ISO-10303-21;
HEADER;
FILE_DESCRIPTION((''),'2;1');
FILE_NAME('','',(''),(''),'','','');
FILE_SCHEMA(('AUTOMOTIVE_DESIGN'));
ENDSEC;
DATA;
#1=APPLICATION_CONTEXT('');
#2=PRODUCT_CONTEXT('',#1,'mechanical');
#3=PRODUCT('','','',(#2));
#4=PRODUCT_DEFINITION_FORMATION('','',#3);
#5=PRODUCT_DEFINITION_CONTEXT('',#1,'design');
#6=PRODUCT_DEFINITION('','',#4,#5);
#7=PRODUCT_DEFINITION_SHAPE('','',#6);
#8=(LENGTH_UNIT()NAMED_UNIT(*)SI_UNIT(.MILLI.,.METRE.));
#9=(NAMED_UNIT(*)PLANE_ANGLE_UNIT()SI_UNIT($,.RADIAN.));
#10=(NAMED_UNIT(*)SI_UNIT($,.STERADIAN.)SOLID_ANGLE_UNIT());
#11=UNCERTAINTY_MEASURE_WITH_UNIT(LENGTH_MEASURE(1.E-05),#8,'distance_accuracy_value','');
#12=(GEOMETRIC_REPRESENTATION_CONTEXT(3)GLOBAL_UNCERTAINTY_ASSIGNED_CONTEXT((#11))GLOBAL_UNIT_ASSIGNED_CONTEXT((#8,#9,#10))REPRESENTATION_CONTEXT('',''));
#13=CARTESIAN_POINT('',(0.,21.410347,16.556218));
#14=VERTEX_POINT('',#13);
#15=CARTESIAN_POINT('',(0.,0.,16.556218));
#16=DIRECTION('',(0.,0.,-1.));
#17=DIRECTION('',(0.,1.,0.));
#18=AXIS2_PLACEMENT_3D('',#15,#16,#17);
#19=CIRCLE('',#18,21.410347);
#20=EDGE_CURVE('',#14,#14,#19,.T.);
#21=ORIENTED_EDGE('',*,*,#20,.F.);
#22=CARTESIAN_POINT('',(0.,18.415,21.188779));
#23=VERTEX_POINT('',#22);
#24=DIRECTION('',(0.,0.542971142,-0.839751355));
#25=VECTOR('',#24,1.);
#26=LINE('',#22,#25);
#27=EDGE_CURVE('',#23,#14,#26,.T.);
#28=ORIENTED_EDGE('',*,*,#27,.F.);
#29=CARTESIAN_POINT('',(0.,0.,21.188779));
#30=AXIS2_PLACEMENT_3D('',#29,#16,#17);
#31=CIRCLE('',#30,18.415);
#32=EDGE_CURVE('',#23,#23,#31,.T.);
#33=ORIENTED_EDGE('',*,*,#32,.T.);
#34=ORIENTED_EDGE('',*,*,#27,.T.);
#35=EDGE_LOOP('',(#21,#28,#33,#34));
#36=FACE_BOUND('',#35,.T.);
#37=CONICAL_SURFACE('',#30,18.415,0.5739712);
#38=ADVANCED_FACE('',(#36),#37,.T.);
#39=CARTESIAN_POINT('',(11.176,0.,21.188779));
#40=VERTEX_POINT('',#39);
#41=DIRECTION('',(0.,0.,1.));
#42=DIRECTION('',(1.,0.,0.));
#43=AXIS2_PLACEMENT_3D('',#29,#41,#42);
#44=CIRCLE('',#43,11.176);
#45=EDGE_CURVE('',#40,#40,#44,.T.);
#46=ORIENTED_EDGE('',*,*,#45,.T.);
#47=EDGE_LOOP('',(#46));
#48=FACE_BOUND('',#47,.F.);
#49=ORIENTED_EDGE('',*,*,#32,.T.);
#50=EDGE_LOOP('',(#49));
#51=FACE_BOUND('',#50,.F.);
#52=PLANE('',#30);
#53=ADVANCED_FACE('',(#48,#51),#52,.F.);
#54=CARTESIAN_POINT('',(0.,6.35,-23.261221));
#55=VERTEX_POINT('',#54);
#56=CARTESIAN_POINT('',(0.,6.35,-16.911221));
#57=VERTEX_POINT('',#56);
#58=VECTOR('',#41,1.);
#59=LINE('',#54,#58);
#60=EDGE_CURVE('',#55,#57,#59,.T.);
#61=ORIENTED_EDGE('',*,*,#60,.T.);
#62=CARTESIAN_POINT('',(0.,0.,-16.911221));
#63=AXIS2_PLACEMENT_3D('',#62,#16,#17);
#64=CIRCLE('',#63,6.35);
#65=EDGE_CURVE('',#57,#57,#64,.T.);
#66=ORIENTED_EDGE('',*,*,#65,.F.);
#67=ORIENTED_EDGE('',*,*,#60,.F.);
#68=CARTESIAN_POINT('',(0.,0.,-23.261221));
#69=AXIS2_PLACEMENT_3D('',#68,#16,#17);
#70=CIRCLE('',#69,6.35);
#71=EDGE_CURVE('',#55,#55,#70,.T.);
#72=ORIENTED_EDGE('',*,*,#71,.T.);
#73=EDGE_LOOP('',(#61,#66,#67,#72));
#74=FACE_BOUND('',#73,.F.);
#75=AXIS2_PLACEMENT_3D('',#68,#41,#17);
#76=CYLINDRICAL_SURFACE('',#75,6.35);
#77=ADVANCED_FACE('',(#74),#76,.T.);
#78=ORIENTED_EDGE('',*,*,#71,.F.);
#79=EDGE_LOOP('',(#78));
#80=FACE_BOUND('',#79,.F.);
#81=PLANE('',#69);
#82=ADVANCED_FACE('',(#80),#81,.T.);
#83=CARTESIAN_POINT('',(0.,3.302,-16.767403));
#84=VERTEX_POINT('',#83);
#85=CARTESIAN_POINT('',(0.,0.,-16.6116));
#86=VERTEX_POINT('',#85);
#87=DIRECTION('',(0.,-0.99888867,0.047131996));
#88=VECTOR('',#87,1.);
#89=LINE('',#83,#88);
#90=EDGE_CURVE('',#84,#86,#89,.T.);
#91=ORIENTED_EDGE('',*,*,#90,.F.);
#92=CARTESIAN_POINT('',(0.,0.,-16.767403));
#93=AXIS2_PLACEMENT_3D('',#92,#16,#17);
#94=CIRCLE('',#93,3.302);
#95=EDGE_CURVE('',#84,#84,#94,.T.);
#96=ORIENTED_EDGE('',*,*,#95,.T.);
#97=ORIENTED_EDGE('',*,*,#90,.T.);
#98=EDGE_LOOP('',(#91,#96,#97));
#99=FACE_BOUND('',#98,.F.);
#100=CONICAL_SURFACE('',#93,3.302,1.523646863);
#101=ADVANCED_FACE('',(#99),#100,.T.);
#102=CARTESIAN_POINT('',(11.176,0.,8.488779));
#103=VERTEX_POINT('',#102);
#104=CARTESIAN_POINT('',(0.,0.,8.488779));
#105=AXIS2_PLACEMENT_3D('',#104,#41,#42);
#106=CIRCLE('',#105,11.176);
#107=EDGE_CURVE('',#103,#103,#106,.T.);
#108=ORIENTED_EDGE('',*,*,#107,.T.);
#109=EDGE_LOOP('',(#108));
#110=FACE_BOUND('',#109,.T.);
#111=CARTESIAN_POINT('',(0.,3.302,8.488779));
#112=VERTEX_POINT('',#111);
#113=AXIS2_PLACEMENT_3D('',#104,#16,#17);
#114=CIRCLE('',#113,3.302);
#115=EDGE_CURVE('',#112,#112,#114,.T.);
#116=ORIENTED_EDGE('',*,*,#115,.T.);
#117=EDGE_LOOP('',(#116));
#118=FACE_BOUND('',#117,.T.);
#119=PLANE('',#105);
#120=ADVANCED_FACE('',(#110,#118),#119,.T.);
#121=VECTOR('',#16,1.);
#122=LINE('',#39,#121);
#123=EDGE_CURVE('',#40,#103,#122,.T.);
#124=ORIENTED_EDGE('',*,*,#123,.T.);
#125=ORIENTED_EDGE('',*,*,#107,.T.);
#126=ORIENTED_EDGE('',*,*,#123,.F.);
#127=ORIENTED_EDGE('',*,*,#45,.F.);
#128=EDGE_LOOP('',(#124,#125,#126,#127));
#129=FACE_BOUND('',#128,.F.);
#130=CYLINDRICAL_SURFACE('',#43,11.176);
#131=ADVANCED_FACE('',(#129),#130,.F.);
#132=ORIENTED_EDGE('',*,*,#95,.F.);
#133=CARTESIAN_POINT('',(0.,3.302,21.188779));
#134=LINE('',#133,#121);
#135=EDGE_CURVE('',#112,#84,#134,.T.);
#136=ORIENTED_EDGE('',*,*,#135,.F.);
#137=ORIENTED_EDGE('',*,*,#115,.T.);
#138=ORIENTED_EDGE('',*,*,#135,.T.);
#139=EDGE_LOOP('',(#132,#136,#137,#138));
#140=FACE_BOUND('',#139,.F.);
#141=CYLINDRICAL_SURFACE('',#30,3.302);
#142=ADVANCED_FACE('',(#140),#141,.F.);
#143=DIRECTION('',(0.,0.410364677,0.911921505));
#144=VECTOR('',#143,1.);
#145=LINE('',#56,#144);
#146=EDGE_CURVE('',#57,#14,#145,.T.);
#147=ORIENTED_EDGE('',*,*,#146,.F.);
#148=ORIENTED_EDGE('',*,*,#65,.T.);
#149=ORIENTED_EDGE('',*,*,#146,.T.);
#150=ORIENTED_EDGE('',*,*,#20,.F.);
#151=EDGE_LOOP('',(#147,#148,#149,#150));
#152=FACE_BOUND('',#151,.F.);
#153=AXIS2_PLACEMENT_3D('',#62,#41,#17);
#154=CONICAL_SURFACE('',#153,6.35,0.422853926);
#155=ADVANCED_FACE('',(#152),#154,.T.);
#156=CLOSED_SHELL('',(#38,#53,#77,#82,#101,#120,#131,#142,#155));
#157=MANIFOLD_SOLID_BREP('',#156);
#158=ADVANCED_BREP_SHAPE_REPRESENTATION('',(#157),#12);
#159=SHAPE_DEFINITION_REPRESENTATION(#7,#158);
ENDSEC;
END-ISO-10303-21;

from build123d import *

# Parameters (mm, degrees)
F2_R     = 11.176
F2_R_2   = 3.302
F3_DEPTH = 12.7
F4_SIZE  = 5.08


with BuildPart() as f1:
    # F0 (on Right) → F1 (revolve)
    with BuildSketch(Plane.YZ):
        Polygon((23.495, 21.188779), (3.302, 21.188779), (3.302, -16.767403), (6.35, -16.911221), align=None)
        Polygon((6.35, -16.911221), (3.302, -16.767403), (3.302, -23.261221), (6.35, -23.261221), align=None)
        Polygon((3.302, -23.261221), (3.302, -16.767403), (0, -16.6116), (0, -23.261221), align=None)
    revolve(axis=Axis((0, 0, 4.724398), (0, 0, -1)))

    # F2 (on face) → F3 (cut)
    with BuildSketch(Plane.XY.offset(21.188779)):
        Circle(F2_R)
        Circle(F2_R_2, mode=Mode.SUBTRACT)
    extrude(amount=-F3_DEPTH, mode=Mode.SUBTRACT)

    # F4
    f4_edges = [f1.edges().sort_by_distance(p)[0] for p in [
        (0, -23.495, 21.188779),
    ]]
    chamfer(f4_edges, length=F4_SIZE)


solid = f1.part
